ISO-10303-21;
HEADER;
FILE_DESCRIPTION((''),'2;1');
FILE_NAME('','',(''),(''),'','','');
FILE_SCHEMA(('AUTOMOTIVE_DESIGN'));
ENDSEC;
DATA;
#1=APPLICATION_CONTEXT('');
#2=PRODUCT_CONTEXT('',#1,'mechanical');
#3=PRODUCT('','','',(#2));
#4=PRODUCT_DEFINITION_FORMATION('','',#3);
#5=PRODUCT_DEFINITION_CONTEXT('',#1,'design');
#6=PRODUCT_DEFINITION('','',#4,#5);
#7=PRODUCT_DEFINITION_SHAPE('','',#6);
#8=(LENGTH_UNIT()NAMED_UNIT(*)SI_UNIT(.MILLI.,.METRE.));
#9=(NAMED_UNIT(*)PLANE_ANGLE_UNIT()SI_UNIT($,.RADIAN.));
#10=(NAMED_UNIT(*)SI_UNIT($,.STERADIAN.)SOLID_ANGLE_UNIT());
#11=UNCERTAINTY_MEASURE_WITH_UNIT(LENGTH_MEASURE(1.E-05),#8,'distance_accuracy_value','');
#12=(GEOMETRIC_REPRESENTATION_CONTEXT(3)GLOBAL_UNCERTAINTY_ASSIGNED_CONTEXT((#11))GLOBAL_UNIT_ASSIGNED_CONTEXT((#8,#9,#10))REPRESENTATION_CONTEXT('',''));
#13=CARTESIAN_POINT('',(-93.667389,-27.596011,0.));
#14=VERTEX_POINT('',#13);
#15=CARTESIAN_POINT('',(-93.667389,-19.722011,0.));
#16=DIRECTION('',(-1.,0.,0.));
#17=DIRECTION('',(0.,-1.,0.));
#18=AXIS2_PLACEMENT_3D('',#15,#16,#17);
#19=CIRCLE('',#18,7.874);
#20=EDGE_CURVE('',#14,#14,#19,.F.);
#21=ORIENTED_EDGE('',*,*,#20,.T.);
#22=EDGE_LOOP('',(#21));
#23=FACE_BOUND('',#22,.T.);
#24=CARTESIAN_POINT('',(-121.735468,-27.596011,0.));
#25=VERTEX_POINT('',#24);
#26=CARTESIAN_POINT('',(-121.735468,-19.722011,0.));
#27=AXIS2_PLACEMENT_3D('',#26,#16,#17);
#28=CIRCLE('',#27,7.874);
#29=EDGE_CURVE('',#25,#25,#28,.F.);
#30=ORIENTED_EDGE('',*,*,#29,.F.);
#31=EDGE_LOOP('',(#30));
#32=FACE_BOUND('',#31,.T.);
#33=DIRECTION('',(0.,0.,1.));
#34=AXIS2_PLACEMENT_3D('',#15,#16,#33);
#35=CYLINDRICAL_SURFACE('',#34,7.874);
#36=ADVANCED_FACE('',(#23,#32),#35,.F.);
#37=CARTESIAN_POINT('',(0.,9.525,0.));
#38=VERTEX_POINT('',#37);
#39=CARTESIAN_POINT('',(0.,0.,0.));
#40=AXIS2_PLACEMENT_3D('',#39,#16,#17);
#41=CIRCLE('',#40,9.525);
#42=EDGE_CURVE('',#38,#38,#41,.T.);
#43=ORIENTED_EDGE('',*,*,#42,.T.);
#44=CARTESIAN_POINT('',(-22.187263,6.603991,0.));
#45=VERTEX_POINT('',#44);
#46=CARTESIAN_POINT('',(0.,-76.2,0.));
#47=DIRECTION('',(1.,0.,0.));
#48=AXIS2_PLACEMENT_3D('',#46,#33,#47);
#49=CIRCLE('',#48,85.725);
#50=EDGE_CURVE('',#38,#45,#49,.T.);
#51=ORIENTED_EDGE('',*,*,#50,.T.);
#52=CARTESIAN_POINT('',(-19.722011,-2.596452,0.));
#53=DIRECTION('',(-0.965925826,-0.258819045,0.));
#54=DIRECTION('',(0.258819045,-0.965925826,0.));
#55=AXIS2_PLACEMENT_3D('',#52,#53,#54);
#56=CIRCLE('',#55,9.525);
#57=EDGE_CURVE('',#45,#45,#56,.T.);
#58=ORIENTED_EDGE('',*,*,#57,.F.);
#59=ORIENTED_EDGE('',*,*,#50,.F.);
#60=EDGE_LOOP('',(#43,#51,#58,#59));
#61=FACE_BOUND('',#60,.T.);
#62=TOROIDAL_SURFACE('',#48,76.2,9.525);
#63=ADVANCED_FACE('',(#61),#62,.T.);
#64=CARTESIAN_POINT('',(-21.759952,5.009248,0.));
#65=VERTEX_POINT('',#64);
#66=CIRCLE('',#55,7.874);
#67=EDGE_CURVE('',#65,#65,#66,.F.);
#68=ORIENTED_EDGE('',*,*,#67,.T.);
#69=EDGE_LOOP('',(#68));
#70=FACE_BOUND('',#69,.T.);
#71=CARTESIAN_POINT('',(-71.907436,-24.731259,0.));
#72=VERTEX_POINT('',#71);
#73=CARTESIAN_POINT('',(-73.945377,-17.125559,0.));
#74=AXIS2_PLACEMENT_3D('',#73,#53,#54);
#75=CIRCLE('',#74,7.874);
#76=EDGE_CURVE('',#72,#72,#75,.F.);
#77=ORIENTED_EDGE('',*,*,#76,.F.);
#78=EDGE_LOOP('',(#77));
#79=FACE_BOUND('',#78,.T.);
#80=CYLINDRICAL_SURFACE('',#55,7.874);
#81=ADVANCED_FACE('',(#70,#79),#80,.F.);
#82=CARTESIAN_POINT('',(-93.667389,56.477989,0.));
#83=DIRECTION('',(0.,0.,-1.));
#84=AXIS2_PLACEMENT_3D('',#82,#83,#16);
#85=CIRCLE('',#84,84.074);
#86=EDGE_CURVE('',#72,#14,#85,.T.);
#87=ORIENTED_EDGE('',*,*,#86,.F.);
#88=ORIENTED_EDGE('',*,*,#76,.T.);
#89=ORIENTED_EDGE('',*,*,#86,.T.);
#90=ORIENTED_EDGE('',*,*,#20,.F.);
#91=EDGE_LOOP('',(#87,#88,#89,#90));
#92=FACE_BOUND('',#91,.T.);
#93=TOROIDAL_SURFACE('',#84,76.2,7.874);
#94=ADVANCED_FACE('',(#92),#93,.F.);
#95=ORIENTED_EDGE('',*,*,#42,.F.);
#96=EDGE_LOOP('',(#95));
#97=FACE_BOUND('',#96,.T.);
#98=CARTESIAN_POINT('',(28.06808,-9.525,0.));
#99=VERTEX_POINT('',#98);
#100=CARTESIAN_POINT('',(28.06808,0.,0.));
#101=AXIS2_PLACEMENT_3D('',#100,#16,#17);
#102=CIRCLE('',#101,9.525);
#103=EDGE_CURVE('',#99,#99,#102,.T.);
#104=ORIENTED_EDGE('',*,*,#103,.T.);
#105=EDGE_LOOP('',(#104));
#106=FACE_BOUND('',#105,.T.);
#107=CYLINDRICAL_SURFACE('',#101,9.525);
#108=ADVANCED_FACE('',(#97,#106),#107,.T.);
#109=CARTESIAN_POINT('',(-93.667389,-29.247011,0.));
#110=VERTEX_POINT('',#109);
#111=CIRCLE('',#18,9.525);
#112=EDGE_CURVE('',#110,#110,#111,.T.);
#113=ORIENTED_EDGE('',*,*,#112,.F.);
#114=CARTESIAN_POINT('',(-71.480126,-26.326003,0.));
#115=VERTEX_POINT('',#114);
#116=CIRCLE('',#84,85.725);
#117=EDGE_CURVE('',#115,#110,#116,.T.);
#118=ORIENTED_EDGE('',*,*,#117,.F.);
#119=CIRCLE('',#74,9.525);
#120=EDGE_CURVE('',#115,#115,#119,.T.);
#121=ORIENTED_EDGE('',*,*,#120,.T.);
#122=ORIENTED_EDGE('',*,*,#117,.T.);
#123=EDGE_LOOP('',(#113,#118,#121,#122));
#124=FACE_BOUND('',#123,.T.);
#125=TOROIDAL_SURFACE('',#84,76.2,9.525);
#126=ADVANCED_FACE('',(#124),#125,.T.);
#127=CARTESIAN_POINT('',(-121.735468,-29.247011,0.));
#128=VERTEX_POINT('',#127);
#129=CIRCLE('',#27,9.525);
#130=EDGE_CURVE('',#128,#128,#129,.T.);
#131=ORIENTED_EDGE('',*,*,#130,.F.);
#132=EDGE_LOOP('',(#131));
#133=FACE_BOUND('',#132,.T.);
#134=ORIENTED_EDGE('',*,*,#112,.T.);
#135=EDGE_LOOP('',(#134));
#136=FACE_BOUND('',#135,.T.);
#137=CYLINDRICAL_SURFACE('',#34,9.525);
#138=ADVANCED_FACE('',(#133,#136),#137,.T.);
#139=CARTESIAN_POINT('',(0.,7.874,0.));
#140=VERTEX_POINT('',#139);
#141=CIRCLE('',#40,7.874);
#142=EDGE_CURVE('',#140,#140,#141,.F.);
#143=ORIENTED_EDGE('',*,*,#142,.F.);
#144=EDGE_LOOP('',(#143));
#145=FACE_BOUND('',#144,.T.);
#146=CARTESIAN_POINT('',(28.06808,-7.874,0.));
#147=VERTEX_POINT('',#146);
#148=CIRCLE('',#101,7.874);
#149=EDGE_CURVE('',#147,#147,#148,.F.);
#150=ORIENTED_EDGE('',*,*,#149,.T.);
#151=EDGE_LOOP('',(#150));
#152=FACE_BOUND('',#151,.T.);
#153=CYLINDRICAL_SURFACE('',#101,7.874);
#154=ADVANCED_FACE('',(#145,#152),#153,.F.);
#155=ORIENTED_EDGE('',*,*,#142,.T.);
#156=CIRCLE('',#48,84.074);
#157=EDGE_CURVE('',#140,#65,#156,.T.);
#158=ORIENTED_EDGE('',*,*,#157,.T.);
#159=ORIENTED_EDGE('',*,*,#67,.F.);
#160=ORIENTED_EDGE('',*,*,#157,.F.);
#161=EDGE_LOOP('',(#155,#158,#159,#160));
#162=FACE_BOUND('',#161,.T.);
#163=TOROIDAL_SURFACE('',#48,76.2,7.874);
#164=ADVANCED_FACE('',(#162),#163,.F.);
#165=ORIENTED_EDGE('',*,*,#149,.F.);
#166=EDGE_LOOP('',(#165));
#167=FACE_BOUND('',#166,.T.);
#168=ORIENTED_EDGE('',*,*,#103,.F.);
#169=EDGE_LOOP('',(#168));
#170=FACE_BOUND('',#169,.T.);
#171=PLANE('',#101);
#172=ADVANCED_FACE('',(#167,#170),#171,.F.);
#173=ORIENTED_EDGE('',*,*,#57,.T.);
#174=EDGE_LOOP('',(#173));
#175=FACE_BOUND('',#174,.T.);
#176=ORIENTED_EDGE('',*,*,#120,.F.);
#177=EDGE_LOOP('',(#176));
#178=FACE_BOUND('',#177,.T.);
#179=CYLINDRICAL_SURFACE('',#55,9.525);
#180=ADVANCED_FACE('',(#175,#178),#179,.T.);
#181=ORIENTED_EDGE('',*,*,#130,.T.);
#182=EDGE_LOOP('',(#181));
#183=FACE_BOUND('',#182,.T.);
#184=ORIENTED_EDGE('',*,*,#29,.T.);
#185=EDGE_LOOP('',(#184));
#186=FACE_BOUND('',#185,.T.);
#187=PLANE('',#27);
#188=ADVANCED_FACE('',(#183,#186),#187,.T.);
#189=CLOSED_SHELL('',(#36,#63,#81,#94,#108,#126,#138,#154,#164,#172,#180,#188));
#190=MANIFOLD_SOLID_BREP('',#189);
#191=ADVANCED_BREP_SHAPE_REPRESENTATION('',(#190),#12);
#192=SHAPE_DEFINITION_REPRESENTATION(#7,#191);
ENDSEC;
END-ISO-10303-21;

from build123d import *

# Parameters (mm, degrees)
SKETCH2_R   = 9.525
SKETCH2_R_2 = 7.874


with BuildPart() as part:
    # Sweep1: sweep along a path in Sketch1
    with BuildLine(Plane.XY) as sweep1_path:
        Line((28.068079684, 0), (0, 0))
        ThreePointArc((0, 0), (-9.946095847, -0.651901563), (-19.722011237, -2.596452037))
        Line((-19.722011237, -2.596452037), (-73.945377359, -17.1255592))
        ThreePointArc((-73.945377359, -17.1255592), (-83.721292748, -19.070109673), (-93.667388596, -19.722011237))
        Line((-93.667388596, -19.722011237), (-121.735468279, -19.722011237))
    # Sketch2 → Sweep1 (sweep)
    with BuildSketch(Plane.ZY.offset(-28.068079684)):
        Circle(SKETCH2_R)
        Circle(SKETCH2_R_2, mode=Mode.SUBTRACT)
    sweep(path=sweep1_path.line)


solid = part.part
